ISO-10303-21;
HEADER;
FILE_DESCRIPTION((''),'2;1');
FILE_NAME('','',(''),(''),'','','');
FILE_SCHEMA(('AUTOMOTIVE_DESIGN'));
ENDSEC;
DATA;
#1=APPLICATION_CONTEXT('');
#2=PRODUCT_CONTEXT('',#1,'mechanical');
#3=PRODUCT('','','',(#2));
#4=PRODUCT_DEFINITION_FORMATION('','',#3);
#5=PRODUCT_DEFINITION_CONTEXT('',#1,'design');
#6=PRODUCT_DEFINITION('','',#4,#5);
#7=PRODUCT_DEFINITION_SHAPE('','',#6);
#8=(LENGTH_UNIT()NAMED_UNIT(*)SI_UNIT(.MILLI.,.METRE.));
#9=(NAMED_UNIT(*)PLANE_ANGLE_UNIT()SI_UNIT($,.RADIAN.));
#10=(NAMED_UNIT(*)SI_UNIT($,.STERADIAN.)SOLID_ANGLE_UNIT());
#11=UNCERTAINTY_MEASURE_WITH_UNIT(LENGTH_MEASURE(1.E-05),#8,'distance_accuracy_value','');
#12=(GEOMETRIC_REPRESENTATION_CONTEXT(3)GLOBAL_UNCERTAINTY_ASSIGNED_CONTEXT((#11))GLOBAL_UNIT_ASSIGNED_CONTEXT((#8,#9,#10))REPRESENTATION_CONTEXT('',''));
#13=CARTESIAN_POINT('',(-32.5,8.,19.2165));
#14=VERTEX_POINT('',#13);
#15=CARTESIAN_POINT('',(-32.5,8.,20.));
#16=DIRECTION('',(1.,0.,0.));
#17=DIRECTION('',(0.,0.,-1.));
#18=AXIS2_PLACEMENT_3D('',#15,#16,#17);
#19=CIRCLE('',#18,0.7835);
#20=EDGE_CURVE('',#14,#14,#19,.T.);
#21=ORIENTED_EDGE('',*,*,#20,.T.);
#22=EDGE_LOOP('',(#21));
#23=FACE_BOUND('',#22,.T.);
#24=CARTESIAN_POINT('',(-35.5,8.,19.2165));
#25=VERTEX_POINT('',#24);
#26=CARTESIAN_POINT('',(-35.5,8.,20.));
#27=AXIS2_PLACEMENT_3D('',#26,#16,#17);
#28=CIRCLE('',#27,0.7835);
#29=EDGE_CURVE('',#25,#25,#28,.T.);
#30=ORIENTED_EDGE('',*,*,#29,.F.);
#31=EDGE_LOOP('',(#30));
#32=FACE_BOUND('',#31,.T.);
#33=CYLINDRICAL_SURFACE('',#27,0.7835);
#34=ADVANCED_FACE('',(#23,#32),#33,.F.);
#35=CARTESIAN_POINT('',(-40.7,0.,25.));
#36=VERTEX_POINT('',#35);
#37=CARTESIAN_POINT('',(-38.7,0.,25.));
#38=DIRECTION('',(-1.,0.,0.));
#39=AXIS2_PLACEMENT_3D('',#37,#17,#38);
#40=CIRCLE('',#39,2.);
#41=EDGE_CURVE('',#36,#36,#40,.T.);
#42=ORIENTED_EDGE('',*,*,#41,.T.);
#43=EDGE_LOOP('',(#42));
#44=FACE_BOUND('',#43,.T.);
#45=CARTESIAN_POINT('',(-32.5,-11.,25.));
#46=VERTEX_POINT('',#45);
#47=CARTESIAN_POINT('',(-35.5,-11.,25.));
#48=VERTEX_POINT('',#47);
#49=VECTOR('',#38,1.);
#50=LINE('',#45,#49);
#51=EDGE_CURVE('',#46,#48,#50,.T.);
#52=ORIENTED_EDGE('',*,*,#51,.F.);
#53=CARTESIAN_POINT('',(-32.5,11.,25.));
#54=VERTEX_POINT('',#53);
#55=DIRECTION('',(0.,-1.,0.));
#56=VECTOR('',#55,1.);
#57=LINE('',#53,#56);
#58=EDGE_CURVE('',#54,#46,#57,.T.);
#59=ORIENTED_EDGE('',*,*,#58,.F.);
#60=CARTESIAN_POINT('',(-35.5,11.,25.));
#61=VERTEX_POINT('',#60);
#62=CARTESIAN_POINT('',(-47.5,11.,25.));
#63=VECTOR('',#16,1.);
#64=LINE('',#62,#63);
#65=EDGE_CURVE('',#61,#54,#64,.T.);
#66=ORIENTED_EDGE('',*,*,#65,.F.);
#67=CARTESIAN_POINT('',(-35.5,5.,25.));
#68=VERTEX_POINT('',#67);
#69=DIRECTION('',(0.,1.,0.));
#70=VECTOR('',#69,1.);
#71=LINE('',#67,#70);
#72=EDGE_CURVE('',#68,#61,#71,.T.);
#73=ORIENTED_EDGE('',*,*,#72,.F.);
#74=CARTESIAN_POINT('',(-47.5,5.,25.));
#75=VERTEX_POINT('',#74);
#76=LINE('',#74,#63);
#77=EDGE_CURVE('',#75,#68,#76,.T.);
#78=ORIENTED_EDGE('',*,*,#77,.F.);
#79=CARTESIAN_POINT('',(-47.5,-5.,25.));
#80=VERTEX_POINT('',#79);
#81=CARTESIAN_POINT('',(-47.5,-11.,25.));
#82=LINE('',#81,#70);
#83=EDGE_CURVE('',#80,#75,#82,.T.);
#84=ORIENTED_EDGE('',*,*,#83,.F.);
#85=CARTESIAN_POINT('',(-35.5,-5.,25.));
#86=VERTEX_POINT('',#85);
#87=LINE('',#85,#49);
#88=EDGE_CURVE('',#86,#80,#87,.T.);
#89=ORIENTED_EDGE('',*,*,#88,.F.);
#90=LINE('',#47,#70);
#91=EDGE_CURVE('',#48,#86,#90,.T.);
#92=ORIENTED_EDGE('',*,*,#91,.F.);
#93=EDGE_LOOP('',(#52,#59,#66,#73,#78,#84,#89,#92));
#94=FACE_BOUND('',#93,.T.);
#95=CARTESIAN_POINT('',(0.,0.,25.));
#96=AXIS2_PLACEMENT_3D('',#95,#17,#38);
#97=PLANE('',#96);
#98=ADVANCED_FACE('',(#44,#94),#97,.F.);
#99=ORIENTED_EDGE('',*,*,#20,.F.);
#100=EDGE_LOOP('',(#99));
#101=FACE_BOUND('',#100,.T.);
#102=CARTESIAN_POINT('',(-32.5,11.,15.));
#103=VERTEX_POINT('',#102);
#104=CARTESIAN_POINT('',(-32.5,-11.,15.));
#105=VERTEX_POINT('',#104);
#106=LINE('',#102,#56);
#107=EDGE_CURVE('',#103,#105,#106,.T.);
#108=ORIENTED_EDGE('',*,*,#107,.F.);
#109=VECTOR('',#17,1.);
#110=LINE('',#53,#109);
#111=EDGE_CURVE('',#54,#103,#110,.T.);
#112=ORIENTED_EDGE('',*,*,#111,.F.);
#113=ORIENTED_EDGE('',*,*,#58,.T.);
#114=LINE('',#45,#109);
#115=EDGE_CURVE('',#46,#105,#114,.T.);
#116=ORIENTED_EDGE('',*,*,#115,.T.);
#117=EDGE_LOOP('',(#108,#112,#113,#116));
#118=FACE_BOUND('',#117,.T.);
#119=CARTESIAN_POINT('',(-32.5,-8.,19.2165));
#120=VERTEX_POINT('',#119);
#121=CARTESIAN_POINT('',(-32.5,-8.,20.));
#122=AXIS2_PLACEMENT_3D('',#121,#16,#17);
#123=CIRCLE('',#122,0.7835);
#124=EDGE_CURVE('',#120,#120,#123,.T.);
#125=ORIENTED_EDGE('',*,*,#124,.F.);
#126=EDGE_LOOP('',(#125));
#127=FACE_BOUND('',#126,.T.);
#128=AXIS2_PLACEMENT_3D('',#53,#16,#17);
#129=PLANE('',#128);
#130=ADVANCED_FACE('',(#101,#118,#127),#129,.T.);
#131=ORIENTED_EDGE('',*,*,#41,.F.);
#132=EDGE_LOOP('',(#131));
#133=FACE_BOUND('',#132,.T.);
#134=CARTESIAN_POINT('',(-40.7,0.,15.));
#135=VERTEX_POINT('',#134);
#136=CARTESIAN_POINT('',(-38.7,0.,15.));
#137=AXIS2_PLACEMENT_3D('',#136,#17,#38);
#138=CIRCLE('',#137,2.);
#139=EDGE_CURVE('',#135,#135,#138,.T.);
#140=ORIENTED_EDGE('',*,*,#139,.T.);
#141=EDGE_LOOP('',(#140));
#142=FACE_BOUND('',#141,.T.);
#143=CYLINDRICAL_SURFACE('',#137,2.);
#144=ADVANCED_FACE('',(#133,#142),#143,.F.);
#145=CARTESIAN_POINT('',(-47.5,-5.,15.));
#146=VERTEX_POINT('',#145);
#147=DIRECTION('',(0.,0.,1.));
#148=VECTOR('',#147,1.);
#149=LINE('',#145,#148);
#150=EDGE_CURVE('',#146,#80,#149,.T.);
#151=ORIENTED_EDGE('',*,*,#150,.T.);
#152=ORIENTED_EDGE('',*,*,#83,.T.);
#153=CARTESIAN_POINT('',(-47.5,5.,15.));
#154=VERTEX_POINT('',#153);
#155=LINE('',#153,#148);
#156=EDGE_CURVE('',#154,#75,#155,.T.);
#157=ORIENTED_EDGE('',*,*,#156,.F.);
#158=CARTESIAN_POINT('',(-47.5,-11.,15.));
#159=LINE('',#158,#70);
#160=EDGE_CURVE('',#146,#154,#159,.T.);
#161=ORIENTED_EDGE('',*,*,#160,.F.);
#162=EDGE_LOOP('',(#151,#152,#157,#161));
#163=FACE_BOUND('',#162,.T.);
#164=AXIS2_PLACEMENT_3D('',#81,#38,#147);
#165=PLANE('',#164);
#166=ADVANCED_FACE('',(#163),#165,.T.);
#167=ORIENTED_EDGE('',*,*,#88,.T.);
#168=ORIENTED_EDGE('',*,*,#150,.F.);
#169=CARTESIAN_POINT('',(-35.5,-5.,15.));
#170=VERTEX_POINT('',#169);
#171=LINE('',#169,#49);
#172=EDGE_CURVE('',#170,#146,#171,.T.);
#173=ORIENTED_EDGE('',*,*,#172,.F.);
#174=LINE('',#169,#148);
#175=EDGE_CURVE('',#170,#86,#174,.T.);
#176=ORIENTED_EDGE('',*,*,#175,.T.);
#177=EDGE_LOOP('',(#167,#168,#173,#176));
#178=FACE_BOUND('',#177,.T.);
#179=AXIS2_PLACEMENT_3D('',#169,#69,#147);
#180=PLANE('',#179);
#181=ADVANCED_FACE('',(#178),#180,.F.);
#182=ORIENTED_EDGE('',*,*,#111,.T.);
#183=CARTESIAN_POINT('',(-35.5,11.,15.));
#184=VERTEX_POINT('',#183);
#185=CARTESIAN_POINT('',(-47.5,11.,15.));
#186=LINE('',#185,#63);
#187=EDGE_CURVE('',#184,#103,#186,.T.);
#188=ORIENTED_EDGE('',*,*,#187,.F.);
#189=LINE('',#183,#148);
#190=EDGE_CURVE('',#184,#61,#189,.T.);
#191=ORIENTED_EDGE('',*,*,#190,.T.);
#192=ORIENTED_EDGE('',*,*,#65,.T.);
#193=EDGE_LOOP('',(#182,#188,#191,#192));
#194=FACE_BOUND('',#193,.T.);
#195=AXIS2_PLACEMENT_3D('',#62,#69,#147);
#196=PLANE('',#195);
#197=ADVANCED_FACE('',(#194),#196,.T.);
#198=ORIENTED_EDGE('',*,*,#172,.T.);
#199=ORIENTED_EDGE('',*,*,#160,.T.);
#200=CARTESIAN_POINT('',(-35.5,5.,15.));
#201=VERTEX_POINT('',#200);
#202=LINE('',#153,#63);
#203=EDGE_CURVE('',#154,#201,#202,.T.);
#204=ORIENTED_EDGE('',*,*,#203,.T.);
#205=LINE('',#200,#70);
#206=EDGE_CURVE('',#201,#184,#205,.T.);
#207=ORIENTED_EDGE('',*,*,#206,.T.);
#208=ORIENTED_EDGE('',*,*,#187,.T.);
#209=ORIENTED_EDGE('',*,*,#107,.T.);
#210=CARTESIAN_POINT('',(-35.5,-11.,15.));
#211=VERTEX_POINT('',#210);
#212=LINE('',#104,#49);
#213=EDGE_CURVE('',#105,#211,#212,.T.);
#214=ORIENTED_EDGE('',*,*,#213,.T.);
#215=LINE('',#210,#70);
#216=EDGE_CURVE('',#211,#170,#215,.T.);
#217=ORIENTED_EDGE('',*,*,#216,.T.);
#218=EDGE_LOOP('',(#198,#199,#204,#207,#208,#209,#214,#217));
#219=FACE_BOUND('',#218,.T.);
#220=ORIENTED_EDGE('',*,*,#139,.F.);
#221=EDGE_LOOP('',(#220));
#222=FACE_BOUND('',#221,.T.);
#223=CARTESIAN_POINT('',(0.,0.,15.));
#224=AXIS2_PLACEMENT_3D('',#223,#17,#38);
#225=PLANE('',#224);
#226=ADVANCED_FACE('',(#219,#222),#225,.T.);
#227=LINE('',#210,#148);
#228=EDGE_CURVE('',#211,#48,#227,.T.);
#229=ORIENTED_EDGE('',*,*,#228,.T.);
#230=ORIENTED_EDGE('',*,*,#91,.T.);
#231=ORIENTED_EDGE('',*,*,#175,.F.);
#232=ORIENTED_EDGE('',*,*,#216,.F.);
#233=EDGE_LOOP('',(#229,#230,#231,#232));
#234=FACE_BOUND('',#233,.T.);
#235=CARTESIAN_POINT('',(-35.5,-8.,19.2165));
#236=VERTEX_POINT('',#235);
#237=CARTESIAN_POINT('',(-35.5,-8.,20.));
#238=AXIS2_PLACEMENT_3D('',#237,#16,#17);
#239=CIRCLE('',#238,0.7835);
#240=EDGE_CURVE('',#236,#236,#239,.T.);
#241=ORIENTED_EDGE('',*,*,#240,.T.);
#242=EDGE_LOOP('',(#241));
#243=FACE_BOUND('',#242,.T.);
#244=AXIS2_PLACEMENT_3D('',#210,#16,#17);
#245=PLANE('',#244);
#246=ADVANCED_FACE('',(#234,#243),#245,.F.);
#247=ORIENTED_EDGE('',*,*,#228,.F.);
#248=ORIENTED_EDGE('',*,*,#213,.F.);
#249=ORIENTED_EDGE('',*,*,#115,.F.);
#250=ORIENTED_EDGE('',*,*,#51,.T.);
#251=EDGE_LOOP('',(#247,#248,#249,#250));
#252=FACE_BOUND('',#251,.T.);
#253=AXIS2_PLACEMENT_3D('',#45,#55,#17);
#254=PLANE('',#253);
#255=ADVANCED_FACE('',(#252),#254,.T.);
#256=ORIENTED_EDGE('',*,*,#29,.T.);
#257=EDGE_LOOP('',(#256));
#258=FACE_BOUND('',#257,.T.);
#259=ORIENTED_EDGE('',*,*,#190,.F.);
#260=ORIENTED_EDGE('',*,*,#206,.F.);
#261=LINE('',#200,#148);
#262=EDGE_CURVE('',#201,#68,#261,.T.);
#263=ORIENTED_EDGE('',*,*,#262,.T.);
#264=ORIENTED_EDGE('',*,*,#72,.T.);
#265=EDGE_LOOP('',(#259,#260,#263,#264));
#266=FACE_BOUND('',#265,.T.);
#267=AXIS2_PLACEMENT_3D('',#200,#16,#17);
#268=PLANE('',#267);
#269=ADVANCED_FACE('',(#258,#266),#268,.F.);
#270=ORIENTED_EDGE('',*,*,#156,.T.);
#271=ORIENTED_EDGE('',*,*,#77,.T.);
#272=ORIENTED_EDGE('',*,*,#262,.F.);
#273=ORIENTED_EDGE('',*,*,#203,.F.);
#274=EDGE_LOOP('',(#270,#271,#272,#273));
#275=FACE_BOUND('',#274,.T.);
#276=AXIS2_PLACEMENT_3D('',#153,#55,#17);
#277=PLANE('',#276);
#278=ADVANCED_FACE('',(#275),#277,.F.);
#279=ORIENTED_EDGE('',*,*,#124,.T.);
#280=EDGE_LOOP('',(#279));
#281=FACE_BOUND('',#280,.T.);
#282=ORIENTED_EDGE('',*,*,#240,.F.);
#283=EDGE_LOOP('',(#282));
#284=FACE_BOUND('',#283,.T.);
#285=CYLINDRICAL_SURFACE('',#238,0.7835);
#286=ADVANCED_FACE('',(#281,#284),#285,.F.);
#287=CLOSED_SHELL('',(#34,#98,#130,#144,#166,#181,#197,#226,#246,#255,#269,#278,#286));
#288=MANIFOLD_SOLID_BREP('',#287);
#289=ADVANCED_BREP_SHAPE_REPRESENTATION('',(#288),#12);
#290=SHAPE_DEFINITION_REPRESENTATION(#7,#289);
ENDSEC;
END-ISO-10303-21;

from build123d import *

# Parameters (mm, degrees)
SKETCH1_W                = 15
SKETCH1_H                = 22
BOSS_EXTRUDE1_DEPTH      = 10
SKETCH2_W                = 12
SKETCH2_H                = 6
CUT_EXTRUDE1_DEPTH       = 50.771980069
SKETCH3_W                = 12
SKETCH3_H                = 6
CUT_EXTRUDE2_DEPTH       = 50.771980069
F_4_0_4_DIAMETER_HOLE1_D = 4


with BuildPart() as part:
    # Sketch1 → Boss-Extrude1 (new body)
    with BuildSketch(Plane(origin=(0, 0, 15), x_dir=(-1, 0, 0), z_dir=(0, 0, -1))):
        with Locations((40, 0)):
            Rectangle(SKETCH1_W, SKETCH1_H)
    extrude(amount=-BOSS_EXTRUDE1_DEPTH)

    # Sketch2 → Cut-Extrude1 (cut, through all)
    with BuildSketch(Plane.XY.offset(25)):
        with Locations((-41.5, 8)):
            Rectangle(SKETCH2_W, SKETCH2_H)
    extrude(amount=-CUT_EXTRUDE1_DEPTH, mode=Mode.SUBTRACT)

    # Sketch3 → Cut-Extrude2 (cut, through all)
    with BuildSketch(Plane.XY.offset(25)):
        with Locations((-41.5, -8)):
            Rectangle(SKETCH3_W, SKETCH3_H)
    extrude(amount=-CUT_EXTRUDE2_DEPTH, mode=Mode.SUBTRACT)

    # Sketch4 → Cut-Revolve1 (revolve, cut)
    with BuildSketch(Plane.XY.offset(20), mode=Mode.PRIVATE) as cut_revolve1_sk:
        Polygon((-35.5, 8.7835), (-35.5, 8), (-32.5, 8), (-32.5, 8.7835), (-34.5, 8.7835), align=None)
    revolve(cut_revolve1_sk.sketch.rotate(Axis((-35.5, 8, 20), (1, 0, 0)), 270), axis=Axis((-35.5, 8, 20), (1, 0, 0)), mode=Mode.SUBTRACT)

    # Sketch5 → Cut-Revolve2 (revolve, cut)
    with BuildSketch(Plane.XY.offset(20), mode=Mode.PRIVATE) as cut_revolve2_sk:
        Polygon((-35.5, -7.2165), (-35.5, -8), (-32.5, -8), (-32.5, -7.2165), (-34.5, -7.2165), align=None)
    revolve(cut_revolve2_sk.sketch.rotate(Axis((-35.5, -8, 20), (1, 0, 0)), 270), axis=Axis((-35.5, -8, 20), (1, 0, 0)), mode=Mode.SUBTRACT)

    # Ø4.0 (4) Diameter Hole1 (through all)
    with Locations(Plane(origin=(0, 0, 15), x_dir=(-1, 0, 0), z_dir=(0, 0, -1))):
        with Locations((38.7, 0)):
            Hole(F_4_0_4_DIAMETER_HOLE1_D / 2)


solid = part.part
